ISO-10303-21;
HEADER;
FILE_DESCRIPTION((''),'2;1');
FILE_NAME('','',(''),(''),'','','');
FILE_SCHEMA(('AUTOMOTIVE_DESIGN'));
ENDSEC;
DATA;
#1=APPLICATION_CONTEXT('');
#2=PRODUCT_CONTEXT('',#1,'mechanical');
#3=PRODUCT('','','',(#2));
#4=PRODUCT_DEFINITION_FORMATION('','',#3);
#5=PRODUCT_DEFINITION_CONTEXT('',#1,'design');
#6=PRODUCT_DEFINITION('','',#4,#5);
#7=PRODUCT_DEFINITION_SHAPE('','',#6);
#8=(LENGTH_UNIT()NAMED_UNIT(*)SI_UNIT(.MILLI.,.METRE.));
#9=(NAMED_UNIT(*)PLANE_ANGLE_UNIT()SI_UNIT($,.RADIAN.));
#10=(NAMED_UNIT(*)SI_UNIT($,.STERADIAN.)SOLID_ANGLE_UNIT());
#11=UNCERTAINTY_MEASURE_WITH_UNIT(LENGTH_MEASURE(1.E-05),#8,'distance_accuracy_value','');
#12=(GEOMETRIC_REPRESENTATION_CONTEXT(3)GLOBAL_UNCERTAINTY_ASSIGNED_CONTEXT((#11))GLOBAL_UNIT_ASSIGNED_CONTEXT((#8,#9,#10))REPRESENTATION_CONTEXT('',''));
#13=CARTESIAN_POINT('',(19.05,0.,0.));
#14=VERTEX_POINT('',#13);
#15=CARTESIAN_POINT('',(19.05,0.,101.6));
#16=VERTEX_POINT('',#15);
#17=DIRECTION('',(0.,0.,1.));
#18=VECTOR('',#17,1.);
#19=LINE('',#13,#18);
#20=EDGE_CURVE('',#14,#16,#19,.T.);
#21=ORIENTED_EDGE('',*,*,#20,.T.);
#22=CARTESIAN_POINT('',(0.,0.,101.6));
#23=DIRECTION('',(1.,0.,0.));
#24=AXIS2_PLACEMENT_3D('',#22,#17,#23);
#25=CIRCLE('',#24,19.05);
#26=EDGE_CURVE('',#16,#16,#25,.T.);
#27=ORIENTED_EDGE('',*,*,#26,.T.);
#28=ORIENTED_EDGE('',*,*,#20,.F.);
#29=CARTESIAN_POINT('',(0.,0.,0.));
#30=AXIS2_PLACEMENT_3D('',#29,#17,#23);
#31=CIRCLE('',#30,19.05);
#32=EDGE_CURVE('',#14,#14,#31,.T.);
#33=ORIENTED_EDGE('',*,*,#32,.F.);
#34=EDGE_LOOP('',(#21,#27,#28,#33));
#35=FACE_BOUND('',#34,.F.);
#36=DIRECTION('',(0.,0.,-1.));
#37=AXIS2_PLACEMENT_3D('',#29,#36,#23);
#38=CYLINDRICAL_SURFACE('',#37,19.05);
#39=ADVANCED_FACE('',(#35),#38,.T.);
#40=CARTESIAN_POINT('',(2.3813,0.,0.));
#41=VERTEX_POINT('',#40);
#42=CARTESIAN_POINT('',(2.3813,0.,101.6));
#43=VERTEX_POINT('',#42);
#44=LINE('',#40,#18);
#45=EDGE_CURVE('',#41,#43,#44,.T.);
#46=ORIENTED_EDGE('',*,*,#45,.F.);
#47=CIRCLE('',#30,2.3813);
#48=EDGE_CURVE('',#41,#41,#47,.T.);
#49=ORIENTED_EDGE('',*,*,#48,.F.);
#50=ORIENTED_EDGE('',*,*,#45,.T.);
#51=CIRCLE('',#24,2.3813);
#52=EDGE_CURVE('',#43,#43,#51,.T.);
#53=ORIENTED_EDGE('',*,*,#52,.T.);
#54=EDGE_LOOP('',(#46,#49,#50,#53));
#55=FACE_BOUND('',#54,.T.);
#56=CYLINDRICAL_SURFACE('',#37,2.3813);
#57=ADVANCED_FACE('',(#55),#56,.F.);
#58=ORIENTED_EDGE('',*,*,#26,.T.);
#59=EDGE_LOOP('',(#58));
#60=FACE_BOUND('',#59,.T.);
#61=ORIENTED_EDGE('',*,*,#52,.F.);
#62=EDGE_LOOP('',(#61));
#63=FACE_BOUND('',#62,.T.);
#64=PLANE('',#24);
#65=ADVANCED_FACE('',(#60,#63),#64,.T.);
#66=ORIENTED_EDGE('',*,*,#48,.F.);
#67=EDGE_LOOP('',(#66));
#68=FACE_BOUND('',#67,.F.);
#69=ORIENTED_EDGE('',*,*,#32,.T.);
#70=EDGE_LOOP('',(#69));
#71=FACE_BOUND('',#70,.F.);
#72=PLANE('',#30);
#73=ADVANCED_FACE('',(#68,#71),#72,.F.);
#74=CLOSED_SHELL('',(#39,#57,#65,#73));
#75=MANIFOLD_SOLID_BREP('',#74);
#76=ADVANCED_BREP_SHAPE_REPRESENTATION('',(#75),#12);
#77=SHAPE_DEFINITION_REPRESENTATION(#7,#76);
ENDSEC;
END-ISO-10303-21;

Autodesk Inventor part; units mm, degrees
ref_plane "YZ Plane" through (0, 0, 0) normal (1, 0, 0) x (0, 1, 0)
ref_plane "XZ Plane" through (0, 0, 0) normal (0, 1, 0) x (-1, 0, 0)
ref_plane "XY Plane" through (0, 0, 0) normal (0, 0, 1) x (1, 0, 0)
sketch "Sketch1" plane through (0, 0, 0) normal (0, 0, 1) x (1, 0, 0)
  circle A0 centre (0, 0) radius 19.05
  circle A1 centre (0, 0) radius 2.3813
  dimension "d0" = 38.1
  dimension "d1" = 4.7625
extrude "Extrusion1" add sketch "Sketch1" along normal blind 101.6
properties part number "ShootingMech_Roller"
